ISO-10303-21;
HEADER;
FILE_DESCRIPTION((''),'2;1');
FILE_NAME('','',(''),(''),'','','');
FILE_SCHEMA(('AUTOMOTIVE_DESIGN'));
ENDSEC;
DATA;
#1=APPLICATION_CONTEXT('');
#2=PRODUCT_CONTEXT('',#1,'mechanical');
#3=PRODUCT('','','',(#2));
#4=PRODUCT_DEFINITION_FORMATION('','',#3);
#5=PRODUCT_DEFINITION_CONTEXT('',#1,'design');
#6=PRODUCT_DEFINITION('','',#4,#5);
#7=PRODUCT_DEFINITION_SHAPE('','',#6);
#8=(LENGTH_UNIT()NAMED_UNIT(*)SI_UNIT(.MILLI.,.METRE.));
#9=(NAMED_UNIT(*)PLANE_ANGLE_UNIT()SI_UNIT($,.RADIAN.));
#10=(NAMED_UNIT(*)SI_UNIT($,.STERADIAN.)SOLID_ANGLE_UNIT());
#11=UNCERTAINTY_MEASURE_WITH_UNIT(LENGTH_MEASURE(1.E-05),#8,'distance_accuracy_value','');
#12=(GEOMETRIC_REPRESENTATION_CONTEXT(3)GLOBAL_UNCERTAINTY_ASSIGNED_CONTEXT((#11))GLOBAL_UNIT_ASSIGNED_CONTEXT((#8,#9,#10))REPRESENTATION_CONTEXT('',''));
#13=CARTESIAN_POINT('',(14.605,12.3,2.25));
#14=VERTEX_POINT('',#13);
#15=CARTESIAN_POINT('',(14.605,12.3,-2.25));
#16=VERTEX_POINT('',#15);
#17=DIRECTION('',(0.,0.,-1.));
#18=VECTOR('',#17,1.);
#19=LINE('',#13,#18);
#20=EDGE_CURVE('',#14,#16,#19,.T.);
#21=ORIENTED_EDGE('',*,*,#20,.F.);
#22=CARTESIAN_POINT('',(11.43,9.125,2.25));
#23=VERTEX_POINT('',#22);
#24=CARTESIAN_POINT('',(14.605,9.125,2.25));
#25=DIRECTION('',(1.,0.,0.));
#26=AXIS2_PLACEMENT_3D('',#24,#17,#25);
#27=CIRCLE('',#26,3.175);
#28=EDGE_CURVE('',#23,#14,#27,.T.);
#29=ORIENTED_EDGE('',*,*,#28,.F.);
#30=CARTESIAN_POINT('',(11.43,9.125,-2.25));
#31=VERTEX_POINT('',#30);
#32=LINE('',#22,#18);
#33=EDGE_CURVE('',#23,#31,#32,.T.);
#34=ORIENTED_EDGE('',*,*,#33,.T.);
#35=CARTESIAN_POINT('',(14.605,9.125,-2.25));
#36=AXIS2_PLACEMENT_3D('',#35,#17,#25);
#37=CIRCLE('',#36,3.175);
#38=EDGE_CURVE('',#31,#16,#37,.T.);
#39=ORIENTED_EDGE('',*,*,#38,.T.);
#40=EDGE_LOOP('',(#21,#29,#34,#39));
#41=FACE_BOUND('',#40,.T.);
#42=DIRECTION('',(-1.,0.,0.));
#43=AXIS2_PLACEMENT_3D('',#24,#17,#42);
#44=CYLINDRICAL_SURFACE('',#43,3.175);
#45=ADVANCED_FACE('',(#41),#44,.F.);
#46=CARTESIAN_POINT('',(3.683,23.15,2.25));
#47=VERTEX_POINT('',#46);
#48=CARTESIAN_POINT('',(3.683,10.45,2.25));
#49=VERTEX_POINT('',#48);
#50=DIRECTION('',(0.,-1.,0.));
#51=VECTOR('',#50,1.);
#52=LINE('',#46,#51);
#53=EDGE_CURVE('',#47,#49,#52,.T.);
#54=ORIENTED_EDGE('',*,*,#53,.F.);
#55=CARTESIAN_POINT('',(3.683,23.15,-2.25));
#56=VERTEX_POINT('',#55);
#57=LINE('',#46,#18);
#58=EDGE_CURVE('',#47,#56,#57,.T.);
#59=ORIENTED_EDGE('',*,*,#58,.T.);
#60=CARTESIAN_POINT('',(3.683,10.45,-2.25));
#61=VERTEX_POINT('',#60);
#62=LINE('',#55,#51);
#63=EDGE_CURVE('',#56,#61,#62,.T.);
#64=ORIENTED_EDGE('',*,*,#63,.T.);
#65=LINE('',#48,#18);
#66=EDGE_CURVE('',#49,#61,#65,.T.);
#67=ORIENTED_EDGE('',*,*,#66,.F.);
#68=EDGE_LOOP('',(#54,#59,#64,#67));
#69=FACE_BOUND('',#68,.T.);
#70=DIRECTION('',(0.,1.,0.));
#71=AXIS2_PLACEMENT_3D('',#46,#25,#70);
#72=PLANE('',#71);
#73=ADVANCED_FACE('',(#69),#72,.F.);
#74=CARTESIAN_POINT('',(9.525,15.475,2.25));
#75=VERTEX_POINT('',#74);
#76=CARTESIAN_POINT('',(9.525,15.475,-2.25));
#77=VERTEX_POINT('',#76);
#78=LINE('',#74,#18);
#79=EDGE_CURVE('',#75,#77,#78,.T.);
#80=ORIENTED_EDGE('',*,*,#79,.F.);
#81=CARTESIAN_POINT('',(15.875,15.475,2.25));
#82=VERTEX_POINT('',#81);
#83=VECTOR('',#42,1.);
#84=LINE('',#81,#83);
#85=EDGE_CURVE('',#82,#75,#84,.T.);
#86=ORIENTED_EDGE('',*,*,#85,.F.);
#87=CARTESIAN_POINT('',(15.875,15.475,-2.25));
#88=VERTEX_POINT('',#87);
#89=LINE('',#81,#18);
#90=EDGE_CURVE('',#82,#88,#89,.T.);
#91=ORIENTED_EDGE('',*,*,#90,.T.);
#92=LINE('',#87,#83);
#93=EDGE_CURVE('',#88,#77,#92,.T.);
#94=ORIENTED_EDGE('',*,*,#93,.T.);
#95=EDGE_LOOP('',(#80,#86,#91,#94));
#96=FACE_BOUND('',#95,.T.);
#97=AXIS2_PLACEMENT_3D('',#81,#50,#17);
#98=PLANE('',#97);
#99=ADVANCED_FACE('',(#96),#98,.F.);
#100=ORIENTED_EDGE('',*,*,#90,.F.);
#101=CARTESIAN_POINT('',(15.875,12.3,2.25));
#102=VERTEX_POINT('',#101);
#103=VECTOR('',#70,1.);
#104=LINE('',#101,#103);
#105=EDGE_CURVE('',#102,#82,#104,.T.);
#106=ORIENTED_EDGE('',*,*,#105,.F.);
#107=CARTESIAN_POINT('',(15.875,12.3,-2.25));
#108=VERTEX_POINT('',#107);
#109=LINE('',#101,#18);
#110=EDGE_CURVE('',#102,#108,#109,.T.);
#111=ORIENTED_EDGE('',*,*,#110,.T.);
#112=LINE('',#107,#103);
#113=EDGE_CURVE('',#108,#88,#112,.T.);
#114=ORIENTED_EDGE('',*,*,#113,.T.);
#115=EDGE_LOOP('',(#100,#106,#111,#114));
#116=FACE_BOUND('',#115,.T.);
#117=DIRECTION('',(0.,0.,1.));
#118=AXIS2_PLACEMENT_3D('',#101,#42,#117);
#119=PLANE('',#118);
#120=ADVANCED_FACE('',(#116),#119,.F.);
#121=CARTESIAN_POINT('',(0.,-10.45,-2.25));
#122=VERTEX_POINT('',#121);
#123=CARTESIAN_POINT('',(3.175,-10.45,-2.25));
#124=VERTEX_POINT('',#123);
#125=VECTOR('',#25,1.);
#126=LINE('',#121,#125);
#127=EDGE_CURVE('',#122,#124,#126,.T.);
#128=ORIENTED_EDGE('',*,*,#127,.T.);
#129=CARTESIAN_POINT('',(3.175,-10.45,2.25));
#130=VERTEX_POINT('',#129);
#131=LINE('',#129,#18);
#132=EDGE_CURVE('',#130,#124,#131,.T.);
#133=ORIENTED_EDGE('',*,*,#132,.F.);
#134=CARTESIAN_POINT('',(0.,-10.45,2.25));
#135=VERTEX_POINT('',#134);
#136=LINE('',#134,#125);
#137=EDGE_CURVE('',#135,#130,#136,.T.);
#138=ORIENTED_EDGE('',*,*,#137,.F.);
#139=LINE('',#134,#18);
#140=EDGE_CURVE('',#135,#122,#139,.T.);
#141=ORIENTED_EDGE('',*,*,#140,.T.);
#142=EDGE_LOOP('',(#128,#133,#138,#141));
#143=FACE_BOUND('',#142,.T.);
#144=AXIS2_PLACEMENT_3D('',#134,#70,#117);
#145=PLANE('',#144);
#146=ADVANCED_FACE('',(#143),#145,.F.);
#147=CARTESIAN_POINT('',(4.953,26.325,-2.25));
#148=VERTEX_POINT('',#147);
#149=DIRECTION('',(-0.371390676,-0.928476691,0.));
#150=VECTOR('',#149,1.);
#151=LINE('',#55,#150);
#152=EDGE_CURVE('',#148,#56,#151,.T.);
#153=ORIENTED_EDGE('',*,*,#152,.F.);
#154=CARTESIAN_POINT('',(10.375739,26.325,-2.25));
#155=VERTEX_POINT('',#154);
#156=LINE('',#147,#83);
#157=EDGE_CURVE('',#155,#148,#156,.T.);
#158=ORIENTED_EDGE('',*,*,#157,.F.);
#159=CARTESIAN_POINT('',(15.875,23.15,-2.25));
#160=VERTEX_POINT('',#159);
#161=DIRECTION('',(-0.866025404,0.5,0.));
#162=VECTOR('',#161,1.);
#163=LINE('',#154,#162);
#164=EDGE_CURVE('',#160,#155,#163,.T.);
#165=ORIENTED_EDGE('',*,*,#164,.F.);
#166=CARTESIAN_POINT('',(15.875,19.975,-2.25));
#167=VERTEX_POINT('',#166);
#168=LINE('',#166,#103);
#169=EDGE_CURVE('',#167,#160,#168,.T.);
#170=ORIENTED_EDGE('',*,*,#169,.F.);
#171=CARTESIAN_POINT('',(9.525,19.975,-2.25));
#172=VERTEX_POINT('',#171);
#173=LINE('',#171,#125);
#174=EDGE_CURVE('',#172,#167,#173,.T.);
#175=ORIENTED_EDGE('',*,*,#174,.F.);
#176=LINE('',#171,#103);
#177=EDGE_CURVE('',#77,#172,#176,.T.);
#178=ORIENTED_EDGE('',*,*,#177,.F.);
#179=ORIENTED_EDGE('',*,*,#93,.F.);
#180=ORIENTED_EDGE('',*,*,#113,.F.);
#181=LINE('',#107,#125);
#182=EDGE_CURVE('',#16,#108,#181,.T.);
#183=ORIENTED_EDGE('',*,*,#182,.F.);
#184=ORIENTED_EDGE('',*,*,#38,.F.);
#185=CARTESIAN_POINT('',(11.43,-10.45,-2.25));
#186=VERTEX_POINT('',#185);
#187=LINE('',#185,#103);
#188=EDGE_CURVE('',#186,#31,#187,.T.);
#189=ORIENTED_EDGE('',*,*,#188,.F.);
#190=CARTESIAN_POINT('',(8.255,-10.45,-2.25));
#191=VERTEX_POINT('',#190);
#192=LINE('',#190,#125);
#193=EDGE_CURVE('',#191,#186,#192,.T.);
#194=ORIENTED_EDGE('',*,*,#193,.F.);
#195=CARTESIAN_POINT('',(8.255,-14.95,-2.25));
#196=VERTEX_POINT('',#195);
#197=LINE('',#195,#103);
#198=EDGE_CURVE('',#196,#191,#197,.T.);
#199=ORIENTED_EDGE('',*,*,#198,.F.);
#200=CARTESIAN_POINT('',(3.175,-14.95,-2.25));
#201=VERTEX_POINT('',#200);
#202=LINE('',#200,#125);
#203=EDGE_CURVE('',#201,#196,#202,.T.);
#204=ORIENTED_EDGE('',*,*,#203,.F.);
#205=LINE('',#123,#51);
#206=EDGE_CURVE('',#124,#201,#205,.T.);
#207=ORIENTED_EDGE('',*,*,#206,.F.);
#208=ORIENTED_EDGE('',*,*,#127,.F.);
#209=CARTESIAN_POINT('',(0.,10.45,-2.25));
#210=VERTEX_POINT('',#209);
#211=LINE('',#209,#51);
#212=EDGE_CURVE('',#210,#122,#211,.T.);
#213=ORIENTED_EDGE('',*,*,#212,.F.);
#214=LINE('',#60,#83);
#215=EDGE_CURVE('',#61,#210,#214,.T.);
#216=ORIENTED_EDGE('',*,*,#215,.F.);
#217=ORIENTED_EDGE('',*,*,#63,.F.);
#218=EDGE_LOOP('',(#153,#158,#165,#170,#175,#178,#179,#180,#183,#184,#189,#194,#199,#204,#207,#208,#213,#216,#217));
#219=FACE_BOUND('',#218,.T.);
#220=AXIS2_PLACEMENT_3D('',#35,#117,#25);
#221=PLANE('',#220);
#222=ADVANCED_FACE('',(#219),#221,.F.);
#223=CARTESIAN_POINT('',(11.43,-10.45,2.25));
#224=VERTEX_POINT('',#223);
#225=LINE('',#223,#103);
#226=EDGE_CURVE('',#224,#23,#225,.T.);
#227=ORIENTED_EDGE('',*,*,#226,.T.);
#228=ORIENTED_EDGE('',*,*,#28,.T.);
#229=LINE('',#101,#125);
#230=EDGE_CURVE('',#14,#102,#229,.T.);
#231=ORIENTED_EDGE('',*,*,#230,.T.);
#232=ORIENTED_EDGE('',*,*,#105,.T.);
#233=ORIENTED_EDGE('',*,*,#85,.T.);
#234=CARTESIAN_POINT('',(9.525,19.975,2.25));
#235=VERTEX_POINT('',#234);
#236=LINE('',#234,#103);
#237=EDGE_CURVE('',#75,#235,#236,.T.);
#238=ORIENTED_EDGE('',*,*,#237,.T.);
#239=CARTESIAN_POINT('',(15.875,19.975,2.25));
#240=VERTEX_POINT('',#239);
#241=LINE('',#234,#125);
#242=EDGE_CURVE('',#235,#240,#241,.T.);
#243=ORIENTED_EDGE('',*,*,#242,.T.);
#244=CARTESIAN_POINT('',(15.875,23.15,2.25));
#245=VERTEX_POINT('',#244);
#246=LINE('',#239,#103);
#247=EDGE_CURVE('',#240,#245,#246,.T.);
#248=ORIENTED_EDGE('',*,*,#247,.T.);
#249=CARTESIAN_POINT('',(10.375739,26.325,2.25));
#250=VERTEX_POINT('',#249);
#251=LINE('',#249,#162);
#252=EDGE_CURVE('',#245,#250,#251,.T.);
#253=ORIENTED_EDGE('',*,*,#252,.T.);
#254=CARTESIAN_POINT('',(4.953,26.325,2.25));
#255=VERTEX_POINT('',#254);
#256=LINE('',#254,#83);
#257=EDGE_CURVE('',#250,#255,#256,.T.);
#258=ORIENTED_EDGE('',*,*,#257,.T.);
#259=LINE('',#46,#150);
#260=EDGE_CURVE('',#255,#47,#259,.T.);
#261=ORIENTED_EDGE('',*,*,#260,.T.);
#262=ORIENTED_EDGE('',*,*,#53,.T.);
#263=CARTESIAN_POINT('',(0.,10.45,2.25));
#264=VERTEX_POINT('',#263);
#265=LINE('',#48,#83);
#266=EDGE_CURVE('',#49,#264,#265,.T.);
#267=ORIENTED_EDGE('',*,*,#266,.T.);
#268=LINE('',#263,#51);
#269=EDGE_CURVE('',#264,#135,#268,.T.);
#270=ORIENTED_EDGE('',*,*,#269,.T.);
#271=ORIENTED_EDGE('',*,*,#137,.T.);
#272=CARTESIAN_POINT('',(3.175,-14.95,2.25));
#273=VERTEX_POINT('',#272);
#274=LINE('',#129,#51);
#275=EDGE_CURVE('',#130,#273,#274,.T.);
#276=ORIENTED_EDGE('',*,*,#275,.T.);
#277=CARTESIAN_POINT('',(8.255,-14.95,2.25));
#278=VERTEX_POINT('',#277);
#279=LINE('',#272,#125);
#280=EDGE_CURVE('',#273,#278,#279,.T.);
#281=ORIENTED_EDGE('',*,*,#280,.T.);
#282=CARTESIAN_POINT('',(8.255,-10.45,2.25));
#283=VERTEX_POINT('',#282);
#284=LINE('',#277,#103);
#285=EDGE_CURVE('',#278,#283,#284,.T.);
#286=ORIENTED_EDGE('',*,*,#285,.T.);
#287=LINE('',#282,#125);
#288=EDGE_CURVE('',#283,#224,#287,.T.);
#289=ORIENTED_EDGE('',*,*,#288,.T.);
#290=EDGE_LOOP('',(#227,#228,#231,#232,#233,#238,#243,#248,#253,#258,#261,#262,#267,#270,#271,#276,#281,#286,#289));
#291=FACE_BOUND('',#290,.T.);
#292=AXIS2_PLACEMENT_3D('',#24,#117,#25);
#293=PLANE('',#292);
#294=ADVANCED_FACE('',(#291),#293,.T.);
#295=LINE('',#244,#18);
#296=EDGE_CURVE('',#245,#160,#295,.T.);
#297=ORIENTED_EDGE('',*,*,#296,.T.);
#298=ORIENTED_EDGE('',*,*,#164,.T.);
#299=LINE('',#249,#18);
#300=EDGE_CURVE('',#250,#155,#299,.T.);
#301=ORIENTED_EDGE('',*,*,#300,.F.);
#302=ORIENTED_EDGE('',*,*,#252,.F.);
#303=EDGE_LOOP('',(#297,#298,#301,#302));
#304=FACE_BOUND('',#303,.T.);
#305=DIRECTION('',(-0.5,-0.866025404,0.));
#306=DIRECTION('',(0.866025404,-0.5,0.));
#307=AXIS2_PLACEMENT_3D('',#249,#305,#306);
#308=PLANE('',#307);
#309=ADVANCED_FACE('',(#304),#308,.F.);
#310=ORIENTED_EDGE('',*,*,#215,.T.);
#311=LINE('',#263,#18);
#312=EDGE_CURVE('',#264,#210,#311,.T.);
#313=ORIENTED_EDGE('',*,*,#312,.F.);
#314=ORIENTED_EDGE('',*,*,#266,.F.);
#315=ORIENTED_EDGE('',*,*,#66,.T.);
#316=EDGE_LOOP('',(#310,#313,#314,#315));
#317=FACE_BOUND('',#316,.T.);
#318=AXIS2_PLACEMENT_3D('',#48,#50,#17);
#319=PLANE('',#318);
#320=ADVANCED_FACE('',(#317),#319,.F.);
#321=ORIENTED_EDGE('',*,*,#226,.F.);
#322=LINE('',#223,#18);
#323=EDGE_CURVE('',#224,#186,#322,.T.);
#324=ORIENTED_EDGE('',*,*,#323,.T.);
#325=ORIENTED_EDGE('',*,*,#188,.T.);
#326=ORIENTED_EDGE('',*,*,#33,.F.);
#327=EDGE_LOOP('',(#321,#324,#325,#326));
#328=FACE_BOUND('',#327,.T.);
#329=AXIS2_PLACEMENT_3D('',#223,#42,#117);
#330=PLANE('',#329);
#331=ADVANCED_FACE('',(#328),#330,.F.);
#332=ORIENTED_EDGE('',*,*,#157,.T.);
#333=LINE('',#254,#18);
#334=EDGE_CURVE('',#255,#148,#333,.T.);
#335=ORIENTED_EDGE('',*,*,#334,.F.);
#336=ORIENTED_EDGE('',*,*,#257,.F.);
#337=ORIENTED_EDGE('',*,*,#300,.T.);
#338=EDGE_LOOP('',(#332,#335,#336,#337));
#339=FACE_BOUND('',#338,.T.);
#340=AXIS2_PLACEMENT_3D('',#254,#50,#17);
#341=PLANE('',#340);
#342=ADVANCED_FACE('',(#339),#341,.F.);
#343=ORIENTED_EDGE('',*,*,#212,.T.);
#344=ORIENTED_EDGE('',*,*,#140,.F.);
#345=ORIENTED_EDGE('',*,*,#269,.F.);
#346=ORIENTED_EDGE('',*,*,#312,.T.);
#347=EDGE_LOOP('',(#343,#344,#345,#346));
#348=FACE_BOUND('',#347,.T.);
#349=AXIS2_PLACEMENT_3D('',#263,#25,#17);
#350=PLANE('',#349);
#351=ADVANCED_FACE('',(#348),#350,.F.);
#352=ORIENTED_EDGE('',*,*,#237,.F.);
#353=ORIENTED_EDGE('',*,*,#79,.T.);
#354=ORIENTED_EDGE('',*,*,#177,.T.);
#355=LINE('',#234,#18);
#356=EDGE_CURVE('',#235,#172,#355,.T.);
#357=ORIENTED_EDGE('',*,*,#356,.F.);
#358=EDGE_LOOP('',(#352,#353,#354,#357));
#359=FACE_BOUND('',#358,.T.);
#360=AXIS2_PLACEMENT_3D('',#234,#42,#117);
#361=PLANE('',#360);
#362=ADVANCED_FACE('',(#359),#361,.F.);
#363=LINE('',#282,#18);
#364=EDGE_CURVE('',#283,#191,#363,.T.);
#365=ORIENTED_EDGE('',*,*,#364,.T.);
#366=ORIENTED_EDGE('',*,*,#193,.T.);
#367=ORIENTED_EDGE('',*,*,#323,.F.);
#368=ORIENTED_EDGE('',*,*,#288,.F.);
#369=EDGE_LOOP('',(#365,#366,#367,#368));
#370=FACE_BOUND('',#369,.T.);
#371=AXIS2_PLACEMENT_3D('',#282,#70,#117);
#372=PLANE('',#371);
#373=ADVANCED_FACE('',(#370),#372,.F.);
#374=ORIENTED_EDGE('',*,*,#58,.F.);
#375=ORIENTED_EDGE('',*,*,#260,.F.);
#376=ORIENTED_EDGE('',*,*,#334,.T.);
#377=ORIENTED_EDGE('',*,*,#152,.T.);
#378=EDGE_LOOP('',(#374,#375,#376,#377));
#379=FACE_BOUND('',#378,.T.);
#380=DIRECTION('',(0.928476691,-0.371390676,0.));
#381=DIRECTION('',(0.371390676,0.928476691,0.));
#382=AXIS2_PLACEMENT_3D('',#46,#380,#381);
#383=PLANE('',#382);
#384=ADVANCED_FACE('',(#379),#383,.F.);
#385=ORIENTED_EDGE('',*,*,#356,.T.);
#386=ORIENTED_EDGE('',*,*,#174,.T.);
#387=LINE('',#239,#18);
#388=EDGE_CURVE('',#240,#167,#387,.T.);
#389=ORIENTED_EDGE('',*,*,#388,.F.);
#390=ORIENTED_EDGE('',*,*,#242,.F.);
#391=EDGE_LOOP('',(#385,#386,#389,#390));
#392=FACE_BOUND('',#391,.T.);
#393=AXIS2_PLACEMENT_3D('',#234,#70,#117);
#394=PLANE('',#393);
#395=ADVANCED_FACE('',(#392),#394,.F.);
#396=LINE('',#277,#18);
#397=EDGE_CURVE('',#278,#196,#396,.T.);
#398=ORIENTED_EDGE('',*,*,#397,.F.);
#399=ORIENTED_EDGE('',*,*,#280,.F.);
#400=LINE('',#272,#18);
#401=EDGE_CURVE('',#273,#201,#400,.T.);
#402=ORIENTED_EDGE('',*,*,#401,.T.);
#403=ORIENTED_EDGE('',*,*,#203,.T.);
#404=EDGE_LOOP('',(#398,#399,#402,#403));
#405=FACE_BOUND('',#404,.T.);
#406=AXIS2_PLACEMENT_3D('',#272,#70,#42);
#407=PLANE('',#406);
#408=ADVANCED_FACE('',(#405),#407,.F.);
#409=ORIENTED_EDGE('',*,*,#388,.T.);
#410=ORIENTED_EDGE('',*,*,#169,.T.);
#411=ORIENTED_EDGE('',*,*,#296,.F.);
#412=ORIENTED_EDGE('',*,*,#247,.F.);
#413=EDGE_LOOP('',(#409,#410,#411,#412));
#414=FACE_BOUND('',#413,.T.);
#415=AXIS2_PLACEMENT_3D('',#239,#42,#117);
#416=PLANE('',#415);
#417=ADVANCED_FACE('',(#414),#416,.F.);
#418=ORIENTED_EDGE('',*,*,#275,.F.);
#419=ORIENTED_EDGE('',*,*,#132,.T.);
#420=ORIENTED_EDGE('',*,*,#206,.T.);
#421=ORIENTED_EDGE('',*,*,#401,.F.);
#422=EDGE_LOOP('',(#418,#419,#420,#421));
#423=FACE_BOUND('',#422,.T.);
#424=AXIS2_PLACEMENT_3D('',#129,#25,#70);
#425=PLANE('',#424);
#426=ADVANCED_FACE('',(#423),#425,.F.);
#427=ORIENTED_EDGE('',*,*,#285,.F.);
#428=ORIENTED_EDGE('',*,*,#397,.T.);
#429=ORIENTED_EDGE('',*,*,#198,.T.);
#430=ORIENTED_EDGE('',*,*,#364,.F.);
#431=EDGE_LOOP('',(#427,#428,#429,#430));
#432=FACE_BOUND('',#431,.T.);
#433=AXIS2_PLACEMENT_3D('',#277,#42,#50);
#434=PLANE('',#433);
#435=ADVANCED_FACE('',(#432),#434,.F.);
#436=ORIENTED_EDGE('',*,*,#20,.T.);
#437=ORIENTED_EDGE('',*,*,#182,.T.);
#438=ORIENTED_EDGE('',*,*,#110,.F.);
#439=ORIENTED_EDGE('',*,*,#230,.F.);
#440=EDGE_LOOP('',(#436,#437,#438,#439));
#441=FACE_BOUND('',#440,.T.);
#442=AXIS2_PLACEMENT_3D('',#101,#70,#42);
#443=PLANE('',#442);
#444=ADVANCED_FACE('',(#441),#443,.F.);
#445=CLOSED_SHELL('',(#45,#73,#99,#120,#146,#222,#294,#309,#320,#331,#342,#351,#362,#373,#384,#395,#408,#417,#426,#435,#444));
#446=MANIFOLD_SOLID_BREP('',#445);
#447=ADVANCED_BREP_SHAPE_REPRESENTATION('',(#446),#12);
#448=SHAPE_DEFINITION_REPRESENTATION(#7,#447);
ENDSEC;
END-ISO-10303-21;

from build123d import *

# Parameters (mm, degrees)
BOSS_EXTRUDE1_DEPTH = 2.25
BOSS_EXTRUDE2_DEPTH = 2.249999945
SKETCH4_W           = 3.683
SKETCH4_H           = 4.5
BOSS_EXTRUDE3_DEPTH = 1.143


with BuildPart() as part:
    # Sketch1 → Boss-Extrude1 (new body, symmetric)
    with BuildSketch(Plane.XY):
        with BuildLine():
            Line((0, 10.45), (0, -10.45))
            Line((0, -10.45), (3.175, -10.45))
            Line((3.175, -10.45), (3.175, -14.95))
            Line((3.175, -14.95), (8.255, -14.95))
            Line((8.255, -14.95), (8.255, -10.45))
            Line((8.255, -10.45), (11.43, -10.45))
            Line((11.43, -10.45), (11.43, 9.125))
            ThreePointArc((11.43, 9.125), (12.35993597, 11.37006403), (14.605, 12.3))
            Line((14.605, 12.3), (15.875, 12.3))
            Line((15.875, 12.3), (15.875, 15.475))
            Line((15.875, 15.475), (9.525, 15.475))
            Line((9.525, 15.475), (9.525, 19.975))
            Line((9.525, 19.975), (15.875, 19.975))
            Line((15.875, 19.975), (15.875, 23.15))
            Line((15.875, 23.15), (3.683, 23.15))
            Line((3.683, 23.15), (3.683, 10.45))
            Line((3.683, 10.45), (0, 10.45))
        make_face()
    extrude(amount=BOSS_EXTRUDE1_DEPTH, both=True)

    # Sketch2 → Boss-Extrude2 (add, symmetric)
    with BuildSketch(Plane.XY):
        Polygon((3.683, 23.15), (4.953, 26.325), (10.375738686, 26.325), (15.875, 23.15), align=None)
    extrude(amount=BOSS_EXTRUDE2_DEPTH, both=True)

    # Sketch4 → Boss-Extrude3 (add)
    with BuildSketch(Plane(origin=(0, 8.545, 0), x_dir=(1, 0, 0), z_dir=(0, 1, 0))):
        with Locations((1.8415, 0)):
            Rectangle(SKETCH4_W, SKETCH4_H)
    extrude(amount=BOSS_EXTRUDE3_DEPTH)


solid = part.part
